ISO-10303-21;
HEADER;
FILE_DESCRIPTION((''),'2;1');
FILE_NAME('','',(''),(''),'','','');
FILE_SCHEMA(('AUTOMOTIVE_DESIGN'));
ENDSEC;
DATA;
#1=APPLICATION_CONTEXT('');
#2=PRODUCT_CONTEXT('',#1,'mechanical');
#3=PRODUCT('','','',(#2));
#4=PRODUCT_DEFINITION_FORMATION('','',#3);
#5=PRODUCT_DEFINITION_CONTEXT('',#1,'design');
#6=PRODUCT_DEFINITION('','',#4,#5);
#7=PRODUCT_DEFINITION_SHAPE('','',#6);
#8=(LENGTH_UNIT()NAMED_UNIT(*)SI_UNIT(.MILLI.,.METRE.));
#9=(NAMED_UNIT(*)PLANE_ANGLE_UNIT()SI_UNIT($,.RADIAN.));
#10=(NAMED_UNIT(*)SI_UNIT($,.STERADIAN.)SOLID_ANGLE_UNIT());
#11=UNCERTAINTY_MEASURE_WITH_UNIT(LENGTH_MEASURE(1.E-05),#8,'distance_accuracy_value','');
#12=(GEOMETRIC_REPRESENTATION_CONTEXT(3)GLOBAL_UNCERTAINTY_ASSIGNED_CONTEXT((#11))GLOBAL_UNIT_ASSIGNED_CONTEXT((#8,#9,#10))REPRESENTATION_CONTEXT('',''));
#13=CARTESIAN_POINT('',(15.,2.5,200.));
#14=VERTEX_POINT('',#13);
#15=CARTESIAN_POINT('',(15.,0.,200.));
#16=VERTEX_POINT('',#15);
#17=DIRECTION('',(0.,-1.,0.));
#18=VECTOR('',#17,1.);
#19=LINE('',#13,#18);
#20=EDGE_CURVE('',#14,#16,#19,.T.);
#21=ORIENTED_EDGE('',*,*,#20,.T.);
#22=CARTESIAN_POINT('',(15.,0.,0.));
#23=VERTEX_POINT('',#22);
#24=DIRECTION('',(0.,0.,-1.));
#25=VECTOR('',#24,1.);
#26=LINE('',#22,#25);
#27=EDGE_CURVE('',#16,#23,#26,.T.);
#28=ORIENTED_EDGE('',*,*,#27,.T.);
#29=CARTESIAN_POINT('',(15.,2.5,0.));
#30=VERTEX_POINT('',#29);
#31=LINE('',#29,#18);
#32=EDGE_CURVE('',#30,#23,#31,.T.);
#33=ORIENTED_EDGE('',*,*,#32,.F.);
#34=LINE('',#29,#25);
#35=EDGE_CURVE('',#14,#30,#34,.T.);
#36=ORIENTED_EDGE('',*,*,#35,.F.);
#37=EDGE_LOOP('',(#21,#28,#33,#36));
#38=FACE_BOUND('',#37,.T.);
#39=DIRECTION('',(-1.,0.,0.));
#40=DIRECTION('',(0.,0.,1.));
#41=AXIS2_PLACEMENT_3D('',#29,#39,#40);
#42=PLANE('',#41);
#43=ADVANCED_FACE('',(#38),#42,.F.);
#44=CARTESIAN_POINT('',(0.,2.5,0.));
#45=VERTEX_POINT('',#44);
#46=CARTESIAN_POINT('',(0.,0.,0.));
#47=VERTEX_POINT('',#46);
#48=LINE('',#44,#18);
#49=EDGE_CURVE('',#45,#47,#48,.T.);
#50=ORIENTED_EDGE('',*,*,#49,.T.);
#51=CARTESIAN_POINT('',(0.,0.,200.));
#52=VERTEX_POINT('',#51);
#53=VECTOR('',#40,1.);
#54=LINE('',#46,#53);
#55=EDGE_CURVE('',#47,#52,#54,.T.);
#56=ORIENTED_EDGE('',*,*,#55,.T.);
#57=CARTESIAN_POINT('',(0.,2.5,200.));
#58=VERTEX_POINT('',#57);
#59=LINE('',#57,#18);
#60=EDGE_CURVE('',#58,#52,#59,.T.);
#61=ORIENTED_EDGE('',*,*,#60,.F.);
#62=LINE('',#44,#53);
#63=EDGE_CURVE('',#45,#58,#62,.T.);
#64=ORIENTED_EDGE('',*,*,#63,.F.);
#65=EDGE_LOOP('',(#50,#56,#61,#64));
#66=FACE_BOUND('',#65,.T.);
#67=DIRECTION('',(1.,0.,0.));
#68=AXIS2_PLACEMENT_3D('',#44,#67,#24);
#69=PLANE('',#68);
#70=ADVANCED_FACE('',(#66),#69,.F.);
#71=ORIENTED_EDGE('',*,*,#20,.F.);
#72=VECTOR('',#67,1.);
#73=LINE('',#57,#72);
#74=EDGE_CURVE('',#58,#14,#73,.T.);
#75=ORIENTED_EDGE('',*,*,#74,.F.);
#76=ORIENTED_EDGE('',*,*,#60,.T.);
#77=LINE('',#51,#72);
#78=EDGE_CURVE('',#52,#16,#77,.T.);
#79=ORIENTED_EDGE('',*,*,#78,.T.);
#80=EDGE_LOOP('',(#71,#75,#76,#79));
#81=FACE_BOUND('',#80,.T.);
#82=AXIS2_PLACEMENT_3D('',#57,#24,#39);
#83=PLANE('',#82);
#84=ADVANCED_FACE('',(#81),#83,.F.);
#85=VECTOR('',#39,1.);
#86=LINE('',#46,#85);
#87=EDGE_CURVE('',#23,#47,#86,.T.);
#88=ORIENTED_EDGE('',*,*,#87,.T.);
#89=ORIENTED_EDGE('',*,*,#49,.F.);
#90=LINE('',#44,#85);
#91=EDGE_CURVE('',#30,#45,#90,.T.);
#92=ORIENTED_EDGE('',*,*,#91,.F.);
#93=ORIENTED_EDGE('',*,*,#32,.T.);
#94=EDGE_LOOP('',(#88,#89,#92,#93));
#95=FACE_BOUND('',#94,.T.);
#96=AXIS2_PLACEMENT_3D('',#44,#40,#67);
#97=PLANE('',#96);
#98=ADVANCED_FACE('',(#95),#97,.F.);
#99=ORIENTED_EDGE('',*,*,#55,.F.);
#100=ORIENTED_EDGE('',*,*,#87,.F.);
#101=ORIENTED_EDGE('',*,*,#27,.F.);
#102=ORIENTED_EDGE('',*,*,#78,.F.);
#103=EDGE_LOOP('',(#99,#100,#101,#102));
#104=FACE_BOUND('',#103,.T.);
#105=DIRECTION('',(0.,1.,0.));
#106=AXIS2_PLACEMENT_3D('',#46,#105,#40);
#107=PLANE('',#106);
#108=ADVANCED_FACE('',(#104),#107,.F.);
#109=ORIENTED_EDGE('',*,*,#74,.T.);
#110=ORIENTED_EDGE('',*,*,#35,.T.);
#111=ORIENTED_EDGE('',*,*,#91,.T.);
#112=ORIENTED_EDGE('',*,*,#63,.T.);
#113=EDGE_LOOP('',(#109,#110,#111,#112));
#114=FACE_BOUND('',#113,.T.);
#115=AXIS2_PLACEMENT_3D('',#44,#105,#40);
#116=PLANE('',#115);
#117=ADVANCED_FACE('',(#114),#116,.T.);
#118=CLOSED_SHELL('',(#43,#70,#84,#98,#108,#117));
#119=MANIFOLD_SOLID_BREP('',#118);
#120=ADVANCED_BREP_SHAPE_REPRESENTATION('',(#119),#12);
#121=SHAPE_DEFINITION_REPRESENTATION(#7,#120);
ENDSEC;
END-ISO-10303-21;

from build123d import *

# Parameters (mm, degrees)
SKETCH_13_W     = 15
SKETCH_13_H     = 200
EXTRUDE_4_DEPTH = 2.5


with BuildPart() as part:
    # 草图13 → 凸台-拉伸4 (new body)
    with BuildSketch(Plane(origin=(0, 0, 0), x_dir=(1, 0, 0), z_dir=(0, 1, 0))):
        with Locations((7.5, -100)):
            Rectangle(SKETCH_13_W, SKETCH_13_H)
    extrude(amount=EXTRUDE_4_DEPTH)


solid = part.part
